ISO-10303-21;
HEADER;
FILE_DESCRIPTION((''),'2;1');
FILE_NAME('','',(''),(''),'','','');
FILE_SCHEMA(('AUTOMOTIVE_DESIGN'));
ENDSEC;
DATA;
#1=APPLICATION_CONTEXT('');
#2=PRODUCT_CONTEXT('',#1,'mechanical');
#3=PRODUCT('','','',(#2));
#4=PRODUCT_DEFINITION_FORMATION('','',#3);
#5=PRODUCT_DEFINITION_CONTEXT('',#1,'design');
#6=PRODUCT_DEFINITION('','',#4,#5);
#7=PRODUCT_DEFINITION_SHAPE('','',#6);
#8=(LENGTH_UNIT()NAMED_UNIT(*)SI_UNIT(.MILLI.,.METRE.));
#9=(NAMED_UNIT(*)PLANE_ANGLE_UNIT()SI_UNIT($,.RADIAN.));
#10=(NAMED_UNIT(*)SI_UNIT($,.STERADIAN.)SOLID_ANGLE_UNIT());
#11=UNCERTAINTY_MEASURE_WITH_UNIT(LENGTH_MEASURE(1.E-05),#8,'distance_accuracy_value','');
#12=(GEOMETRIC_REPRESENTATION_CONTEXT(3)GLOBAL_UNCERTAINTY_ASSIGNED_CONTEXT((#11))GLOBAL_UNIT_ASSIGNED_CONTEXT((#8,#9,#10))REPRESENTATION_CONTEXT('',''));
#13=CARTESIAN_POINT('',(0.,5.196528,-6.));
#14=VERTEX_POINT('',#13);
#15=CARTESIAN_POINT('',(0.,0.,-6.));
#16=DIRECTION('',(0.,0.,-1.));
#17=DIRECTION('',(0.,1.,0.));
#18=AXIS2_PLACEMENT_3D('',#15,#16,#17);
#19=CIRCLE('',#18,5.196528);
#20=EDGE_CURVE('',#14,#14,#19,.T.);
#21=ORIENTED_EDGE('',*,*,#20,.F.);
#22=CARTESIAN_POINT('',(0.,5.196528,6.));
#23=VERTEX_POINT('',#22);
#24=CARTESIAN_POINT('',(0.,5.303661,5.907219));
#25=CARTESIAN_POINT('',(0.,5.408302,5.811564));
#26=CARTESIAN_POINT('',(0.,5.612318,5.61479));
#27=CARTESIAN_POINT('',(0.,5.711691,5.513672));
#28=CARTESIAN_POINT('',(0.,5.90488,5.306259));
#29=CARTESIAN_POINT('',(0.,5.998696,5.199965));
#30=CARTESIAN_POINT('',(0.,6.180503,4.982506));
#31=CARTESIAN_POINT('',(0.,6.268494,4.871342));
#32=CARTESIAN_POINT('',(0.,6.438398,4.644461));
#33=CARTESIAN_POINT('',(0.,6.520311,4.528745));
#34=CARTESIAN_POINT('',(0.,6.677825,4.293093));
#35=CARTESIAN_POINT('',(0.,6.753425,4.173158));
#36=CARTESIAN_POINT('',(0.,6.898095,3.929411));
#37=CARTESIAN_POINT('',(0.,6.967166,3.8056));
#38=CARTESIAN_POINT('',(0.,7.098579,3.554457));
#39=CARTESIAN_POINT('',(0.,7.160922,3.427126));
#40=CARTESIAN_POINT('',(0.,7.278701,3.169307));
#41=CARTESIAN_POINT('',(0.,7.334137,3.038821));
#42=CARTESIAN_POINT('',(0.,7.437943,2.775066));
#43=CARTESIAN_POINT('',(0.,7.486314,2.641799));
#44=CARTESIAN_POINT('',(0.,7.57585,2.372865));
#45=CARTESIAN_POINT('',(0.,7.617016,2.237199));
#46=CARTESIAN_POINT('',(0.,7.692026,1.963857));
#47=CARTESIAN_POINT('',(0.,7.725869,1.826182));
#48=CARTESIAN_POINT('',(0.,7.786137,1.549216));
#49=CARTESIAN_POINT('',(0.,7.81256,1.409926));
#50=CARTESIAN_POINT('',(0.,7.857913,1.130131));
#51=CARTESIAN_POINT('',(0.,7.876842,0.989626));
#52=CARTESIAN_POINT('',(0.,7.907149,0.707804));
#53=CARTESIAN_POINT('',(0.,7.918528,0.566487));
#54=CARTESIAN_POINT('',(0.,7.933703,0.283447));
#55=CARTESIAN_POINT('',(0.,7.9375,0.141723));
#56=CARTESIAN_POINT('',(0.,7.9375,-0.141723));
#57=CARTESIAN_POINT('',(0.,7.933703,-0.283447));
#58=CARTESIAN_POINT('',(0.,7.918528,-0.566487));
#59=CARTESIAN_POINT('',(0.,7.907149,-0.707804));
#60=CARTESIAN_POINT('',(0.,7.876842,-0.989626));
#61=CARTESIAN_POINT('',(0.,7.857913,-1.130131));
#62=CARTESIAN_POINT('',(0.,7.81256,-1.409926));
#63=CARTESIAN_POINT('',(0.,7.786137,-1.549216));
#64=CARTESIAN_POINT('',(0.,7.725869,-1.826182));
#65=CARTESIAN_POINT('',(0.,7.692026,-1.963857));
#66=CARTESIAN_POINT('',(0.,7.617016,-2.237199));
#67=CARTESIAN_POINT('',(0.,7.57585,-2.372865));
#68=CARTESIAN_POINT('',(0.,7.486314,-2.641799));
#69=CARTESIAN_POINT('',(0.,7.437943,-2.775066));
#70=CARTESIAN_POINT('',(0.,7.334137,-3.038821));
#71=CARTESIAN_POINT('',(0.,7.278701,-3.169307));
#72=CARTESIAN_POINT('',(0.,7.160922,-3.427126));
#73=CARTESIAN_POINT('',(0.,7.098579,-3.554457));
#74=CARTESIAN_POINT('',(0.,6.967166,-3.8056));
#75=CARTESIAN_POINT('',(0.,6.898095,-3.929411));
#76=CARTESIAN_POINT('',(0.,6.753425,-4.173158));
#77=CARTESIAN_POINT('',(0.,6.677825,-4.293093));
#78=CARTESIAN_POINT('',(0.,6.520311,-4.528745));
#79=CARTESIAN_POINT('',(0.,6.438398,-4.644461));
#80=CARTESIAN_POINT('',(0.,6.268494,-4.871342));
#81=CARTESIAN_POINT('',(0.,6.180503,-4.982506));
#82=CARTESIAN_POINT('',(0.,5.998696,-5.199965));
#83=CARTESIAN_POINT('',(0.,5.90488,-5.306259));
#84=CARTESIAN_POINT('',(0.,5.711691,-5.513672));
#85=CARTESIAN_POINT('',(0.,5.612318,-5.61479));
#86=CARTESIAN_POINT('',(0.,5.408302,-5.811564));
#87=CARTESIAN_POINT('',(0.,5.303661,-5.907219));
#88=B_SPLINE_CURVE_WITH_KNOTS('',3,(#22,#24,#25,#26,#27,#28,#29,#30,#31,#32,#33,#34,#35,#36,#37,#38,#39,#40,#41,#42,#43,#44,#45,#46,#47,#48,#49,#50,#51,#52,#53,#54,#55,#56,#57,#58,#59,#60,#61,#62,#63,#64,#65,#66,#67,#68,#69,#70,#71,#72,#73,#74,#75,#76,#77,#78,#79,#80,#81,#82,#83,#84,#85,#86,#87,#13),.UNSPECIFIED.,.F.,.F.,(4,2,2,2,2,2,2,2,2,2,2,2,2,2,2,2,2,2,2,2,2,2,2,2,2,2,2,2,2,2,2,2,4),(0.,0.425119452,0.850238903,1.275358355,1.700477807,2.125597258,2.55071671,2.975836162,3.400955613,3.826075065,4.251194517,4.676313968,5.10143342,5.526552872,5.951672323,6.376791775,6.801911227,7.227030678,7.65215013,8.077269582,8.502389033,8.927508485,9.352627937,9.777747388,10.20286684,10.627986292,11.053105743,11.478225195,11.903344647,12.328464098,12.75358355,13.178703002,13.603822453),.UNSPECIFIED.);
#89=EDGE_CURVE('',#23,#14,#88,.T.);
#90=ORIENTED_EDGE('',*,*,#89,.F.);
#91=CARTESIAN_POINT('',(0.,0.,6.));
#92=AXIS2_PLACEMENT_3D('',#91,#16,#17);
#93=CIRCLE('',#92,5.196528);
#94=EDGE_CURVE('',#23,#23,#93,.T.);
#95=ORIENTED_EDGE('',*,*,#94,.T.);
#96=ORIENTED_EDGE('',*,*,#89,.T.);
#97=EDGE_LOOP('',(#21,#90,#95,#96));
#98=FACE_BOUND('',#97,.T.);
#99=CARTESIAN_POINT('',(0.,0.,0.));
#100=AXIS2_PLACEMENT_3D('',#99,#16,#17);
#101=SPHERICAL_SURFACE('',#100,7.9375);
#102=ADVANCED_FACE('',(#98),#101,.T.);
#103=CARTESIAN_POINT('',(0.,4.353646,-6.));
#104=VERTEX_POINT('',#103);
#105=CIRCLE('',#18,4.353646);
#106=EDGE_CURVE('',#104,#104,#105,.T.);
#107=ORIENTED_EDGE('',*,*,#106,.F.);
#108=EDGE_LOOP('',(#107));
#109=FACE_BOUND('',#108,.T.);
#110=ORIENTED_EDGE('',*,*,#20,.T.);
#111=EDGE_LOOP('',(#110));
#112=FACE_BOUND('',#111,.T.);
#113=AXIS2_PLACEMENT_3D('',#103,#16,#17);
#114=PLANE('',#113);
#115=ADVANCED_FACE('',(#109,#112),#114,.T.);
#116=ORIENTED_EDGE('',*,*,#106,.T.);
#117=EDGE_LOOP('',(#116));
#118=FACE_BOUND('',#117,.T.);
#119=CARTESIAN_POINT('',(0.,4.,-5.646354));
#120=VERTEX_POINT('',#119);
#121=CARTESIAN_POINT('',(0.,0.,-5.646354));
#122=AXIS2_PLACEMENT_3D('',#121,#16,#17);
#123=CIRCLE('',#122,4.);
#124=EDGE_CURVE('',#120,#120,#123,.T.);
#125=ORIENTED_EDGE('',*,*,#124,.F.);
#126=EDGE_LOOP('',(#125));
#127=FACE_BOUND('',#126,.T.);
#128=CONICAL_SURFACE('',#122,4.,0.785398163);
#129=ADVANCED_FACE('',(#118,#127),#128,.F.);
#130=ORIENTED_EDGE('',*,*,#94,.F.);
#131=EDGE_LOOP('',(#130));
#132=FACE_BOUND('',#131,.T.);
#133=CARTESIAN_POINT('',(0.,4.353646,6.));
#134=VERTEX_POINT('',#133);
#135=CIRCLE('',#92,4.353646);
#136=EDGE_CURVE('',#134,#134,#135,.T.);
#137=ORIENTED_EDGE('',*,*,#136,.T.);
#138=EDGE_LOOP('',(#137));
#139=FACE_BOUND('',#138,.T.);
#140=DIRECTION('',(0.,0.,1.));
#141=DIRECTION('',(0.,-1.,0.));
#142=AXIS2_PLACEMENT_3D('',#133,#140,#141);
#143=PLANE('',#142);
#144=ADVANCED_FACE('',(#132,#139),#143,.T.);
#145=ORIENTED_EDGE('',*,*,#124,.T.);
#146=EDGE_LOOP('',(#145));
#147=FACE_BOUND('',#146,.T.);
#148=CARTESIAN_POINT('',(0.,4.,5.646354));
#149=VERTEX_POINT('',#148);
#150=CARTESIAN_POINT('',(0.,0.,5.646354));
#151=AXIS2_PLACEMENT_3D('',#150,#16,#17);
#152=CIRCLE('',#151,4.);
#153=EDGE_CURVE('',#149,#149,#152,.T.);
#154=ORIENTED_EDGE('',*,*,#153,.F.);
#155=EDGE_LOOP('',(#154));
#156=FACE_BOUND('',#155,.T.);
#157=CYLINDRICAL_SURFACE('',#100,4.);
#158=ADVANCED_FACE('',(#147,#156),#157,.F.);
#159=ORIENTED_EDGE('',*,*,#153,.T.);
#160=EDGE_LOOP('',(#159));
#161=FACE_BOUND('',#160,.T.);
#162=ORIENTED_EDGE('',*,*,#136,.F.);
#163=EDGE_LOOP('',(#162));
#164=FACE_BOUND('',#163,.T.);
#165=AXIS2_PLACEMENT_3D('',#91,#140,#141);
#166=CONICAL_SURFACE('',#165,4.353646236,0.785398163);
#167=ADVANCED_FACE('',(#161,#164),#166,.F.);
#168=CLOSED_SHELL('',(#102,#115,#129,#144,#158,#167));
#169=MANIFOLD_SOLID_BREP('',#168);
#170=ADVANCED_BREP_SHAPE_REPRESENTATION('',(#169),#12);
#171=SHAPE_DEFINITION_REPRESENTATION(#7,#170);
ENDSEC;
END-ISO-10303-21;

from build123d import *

# Parameters (mm, degrees)
BODY_MOVE_COPY1_ANGLE = 90


with BuildPart() as part:
    # Sketch6 → Ball (revolve)
    with BuildSketch(Plane.XY):
        with BuildLine():
            Line((5.646353764, 4), (-5.646353764, 4))
            Line((-5.646353764, 4), (-6, 4.353646236))
            Line((-6, 4.353646236), (-6, 5.196528288))
            ThreePointArc((-6, 5.196528288), (0, 7.9375), (6, 5.196528288))
            Line((6, 5.196528288), (6, 4.353646236))
            Line((6, 4.353646236), (5.646353764, 4))
        make_face()
    revolve(axis=Axis((0, 0, 0), (-1, 0, 0)))


with BuildPart() as part_1:
    # Body-Move/Copy1: moved
    add(part.part.rotate(Axis((0, 0, 0), (0, 1, 0)), BODY_MOVE_COPY1_ANGLE))


solid = part_1.part
